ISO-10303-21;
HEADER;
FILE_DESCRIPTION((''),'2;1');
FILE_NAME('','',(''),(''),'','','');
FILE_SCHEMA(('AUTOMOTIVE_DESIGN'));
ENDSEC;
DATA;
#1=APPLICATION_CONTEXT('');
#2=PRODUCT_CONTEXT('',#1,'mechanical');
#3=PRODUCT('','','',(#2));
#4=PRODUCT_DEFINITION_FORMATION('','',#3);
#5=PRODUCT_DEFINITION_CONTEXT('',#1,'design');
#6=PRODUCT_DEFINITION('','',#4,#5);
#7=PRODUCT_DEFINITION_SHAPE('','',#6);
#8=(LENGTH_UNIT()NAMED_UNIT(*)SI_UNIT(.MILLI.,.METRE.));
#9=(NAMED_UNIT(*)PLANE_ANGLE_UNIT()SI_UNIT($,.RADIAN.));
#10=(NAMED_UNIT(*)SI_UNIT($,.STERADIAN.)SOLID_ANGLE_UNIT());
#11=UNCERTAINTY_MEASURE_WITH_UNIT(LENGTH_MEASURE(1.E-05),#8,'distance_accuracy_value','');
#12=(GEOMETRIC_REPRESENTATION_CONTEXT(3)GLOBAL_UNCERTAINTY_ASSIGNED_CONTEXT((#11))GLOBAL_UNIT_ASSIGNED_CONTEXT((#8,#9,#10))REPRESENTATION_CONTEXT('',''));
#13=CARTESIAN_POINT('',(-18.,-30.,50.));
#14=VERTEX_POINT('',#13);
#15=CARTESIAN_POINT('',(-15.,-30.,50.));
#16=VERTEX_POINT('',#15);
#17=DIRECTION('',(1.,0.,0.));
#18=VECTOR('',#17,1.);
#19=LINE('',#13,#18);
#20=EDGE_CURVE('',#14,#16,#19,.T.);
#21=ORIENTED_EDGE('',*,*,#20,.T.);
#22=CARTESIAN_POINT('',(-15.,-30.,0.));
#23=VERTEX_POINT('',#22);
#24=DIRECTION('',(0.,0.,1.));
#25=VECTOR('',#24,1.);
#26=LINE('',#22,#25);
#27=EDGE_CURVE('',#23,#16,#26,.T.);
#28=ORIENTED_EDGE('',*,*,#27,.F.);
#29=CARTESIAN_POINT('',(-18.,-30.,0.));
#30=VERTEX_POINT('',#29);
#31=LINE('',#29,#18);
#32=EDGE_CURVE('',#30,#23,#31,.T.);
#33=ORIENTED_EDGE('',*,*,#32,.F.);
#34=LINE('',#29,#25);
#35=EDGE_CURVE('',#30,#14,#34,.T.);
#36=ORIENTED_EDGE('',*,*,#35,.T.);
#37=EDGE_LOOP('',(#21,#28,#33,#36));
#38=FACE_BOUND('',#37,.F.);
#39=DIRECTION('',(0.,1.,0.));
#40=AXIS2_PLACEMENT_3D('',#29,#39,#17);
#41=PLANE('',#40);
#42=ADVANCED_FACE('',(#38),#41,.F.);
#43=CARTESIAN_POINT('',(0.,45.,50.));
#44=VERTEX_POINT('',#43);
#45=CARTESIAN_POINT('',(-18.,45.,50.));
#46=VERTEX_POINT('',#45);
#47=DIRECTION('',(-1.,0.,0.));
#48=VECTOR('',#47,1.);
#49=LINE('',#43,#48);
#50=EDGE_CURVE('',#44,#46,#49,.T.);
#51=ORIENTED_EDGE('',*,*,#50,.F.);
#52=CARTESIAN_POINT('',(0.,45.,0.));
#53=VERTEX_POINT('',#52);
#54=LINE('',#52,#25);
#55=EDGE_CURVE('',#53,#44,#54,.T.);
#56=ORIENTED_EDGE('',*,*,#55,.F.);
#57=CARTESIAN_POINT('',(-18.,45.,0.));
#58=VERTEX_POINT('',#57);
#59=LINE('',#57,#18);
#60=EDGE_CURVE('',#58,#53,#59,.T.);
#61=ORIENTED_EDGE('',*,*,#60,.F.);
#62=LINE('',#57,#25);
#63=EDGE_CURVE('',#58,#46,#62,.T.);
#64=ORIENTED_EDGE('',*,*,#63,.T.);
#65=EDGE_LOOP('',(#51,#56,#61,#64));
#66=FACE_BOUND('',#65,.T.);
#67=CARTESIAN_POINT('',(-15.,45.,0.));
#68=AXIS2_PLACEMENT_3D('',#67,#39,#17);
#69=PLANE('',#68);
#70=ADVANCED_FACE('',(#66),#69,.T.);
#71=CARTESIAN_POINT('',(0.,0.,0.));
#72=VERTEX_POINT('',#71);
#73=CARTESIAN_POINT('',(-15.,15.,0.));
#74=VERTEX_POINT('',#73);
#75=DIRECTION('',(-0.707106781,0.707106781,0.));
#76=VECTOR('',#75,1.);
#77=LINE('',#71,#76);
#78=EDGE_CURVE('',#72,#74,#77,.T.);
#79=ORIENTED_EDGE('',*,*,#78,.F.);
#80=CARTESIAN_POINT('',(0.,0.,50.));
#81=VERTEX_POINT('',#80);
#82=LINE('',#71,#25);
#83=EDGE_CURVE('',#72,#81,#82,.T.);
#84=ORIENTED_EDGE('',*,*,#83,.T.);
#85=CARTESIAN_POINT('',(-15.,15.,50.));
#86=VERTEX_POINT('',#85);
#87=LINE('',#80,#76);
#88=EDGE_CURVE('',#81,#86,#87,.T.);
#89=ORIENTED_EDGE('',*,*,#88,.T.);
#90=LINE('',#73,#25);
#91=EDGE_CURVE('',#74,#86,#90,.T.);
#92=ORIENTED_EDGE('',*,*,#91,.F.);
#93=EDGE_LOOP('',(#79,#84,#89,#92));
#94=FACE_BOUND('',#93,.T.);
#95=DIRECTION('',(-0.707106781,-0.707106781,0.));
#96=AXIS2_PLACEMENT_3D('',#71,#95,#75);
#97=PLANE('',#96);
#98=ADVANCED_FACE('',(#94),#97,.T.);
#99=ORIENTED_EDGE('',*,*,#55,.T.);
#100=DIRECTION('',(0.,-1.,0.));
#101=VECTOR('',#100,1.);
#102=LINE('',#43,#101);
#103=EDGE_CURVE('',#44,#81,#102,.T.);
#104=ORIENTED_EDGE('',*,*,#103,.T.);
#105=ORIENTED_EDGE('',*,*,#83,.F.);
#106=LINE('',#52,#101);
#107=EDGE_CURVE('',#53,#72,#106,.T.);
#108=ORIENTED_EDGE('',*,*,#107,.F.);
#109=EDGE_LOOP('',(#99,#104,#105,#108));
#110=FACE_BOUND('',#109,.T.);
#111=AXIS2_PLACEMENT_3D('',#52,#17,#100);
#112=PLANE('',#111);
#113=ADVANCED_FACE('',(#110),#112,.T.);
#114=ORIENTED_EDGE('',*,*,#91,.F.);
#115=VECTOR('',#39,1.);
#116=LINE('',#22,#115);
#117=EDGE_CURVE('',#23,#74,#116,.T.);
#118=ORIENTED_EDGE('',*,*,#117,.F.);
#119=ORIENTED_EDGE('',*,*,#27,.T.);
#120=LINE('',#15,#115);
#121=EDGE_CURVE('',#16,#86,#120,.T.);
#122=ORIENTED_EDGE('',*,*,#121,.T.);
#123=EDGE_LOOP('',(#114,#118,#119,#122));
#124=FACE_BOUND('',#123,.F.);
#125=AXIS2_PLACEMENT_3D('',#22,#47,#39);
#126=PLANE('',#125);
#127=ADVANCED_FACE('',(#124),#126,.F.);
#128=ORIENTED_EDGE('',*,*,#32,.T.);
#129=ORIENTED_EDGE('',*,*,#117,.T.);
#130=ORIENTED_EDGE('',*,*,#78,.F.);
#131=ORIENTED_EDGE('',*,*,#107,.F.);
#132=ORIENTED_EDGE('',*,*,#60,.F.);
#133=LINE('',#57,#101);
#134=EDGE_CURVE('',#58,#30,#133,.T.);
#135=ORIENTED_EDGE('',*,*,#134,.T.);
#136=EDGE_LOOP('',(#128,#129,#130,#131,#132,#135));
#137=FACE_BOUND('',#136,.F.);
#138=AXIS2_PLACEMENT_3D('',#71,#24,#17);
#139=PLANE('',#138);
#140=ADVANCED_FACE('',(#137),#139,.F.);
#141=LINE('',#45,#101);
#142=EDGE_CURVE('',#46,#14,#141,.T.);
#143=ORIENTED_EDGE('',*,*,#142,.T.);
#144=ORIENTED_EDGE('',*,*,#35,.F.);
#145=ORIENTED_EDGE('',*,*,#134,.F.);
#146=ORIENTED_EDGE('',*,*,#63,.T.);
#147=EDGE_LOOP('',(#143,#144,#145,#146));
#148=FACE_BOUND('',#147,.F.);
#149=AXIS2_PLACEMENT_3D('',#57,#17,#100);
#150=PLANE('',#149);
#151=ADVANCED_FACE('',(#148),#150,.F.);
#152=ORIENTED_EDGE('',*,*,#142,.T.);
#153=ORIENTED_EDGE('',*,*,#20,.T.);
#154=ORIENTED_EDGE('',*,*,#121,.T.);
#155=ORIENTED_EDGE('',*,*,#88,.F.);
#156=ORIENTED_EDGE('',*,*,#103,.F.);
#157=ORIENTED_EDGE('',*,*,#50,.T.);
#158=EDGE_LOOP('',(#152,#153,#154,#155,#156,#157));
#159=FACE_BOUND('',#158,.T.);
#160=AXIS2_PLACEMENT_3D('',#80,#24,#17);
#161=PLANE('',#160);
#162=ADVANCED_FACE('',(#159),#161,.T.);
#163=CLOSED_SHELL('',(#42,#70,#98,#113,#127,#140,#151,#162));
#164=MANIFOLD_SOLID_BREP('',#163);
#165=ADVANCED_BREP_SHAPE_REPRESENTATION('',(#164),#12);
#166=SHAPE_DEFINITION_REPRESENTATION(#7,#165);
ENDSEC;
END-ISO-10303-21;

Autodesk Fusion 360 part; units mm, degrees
sketch "Sketch1" plane through (0, 0, 0) normal (0, 0, 1) x (1, 0, 0) in component "generic_holder"
  line L0 (0, 0) -> (-15, 15)
  line L1 (-15, 15) -> (-15, 45)
  line L2 (-15, 45) -> (0, 45)
  line L3 (0, 45) -> (0, 0)
  line L4 (-15, 45) -> (-18, 45)
  line L5 (-18, 45) -> (-18, -30)
  line L6 (-18, -30) -> (-15, -30)
  line L7 (-15, -30) -> (-15, 45)
  dimension "d2" = 15
  dimension "d3" = 30
  dimension "d4" = 75
  dimension "d5" = 3
  dimension "d9" = 45
extrude "Extrude1" add sketch "Sketch1" along normal blind 50 in component "generic_holder"
component "generic_holder" placed x (1, 0, 0) y (0, 1, 0) z (0, 0, 1) at (0, 0, 0)
equation "d2 = cleat_thickness"
equation "d3 = cleat_short_hight"
equation "d4 = front_plate_hight"
equation "d5 = cleat_front_plate_thickness"
equation "cleat_thickness = 15 mm" comment "Cleat thickness"
equation "cleat_long_hight = 45 mm" comment "Cleat long side hight"
equation "cleat_short_hight = 30 mm" comment "Cleat short side hight"
equation "d9 = cleat_long_hight"
equation "cleat_front_plate_thickness = 3 mm" comment "Front plate thickness"
equation "front_plate_hight = 75 mm" comment "Front plate ight"
equation "cleat_width = 50 mm" comment "Cleat width"
equation "d13 = cleat_width"
